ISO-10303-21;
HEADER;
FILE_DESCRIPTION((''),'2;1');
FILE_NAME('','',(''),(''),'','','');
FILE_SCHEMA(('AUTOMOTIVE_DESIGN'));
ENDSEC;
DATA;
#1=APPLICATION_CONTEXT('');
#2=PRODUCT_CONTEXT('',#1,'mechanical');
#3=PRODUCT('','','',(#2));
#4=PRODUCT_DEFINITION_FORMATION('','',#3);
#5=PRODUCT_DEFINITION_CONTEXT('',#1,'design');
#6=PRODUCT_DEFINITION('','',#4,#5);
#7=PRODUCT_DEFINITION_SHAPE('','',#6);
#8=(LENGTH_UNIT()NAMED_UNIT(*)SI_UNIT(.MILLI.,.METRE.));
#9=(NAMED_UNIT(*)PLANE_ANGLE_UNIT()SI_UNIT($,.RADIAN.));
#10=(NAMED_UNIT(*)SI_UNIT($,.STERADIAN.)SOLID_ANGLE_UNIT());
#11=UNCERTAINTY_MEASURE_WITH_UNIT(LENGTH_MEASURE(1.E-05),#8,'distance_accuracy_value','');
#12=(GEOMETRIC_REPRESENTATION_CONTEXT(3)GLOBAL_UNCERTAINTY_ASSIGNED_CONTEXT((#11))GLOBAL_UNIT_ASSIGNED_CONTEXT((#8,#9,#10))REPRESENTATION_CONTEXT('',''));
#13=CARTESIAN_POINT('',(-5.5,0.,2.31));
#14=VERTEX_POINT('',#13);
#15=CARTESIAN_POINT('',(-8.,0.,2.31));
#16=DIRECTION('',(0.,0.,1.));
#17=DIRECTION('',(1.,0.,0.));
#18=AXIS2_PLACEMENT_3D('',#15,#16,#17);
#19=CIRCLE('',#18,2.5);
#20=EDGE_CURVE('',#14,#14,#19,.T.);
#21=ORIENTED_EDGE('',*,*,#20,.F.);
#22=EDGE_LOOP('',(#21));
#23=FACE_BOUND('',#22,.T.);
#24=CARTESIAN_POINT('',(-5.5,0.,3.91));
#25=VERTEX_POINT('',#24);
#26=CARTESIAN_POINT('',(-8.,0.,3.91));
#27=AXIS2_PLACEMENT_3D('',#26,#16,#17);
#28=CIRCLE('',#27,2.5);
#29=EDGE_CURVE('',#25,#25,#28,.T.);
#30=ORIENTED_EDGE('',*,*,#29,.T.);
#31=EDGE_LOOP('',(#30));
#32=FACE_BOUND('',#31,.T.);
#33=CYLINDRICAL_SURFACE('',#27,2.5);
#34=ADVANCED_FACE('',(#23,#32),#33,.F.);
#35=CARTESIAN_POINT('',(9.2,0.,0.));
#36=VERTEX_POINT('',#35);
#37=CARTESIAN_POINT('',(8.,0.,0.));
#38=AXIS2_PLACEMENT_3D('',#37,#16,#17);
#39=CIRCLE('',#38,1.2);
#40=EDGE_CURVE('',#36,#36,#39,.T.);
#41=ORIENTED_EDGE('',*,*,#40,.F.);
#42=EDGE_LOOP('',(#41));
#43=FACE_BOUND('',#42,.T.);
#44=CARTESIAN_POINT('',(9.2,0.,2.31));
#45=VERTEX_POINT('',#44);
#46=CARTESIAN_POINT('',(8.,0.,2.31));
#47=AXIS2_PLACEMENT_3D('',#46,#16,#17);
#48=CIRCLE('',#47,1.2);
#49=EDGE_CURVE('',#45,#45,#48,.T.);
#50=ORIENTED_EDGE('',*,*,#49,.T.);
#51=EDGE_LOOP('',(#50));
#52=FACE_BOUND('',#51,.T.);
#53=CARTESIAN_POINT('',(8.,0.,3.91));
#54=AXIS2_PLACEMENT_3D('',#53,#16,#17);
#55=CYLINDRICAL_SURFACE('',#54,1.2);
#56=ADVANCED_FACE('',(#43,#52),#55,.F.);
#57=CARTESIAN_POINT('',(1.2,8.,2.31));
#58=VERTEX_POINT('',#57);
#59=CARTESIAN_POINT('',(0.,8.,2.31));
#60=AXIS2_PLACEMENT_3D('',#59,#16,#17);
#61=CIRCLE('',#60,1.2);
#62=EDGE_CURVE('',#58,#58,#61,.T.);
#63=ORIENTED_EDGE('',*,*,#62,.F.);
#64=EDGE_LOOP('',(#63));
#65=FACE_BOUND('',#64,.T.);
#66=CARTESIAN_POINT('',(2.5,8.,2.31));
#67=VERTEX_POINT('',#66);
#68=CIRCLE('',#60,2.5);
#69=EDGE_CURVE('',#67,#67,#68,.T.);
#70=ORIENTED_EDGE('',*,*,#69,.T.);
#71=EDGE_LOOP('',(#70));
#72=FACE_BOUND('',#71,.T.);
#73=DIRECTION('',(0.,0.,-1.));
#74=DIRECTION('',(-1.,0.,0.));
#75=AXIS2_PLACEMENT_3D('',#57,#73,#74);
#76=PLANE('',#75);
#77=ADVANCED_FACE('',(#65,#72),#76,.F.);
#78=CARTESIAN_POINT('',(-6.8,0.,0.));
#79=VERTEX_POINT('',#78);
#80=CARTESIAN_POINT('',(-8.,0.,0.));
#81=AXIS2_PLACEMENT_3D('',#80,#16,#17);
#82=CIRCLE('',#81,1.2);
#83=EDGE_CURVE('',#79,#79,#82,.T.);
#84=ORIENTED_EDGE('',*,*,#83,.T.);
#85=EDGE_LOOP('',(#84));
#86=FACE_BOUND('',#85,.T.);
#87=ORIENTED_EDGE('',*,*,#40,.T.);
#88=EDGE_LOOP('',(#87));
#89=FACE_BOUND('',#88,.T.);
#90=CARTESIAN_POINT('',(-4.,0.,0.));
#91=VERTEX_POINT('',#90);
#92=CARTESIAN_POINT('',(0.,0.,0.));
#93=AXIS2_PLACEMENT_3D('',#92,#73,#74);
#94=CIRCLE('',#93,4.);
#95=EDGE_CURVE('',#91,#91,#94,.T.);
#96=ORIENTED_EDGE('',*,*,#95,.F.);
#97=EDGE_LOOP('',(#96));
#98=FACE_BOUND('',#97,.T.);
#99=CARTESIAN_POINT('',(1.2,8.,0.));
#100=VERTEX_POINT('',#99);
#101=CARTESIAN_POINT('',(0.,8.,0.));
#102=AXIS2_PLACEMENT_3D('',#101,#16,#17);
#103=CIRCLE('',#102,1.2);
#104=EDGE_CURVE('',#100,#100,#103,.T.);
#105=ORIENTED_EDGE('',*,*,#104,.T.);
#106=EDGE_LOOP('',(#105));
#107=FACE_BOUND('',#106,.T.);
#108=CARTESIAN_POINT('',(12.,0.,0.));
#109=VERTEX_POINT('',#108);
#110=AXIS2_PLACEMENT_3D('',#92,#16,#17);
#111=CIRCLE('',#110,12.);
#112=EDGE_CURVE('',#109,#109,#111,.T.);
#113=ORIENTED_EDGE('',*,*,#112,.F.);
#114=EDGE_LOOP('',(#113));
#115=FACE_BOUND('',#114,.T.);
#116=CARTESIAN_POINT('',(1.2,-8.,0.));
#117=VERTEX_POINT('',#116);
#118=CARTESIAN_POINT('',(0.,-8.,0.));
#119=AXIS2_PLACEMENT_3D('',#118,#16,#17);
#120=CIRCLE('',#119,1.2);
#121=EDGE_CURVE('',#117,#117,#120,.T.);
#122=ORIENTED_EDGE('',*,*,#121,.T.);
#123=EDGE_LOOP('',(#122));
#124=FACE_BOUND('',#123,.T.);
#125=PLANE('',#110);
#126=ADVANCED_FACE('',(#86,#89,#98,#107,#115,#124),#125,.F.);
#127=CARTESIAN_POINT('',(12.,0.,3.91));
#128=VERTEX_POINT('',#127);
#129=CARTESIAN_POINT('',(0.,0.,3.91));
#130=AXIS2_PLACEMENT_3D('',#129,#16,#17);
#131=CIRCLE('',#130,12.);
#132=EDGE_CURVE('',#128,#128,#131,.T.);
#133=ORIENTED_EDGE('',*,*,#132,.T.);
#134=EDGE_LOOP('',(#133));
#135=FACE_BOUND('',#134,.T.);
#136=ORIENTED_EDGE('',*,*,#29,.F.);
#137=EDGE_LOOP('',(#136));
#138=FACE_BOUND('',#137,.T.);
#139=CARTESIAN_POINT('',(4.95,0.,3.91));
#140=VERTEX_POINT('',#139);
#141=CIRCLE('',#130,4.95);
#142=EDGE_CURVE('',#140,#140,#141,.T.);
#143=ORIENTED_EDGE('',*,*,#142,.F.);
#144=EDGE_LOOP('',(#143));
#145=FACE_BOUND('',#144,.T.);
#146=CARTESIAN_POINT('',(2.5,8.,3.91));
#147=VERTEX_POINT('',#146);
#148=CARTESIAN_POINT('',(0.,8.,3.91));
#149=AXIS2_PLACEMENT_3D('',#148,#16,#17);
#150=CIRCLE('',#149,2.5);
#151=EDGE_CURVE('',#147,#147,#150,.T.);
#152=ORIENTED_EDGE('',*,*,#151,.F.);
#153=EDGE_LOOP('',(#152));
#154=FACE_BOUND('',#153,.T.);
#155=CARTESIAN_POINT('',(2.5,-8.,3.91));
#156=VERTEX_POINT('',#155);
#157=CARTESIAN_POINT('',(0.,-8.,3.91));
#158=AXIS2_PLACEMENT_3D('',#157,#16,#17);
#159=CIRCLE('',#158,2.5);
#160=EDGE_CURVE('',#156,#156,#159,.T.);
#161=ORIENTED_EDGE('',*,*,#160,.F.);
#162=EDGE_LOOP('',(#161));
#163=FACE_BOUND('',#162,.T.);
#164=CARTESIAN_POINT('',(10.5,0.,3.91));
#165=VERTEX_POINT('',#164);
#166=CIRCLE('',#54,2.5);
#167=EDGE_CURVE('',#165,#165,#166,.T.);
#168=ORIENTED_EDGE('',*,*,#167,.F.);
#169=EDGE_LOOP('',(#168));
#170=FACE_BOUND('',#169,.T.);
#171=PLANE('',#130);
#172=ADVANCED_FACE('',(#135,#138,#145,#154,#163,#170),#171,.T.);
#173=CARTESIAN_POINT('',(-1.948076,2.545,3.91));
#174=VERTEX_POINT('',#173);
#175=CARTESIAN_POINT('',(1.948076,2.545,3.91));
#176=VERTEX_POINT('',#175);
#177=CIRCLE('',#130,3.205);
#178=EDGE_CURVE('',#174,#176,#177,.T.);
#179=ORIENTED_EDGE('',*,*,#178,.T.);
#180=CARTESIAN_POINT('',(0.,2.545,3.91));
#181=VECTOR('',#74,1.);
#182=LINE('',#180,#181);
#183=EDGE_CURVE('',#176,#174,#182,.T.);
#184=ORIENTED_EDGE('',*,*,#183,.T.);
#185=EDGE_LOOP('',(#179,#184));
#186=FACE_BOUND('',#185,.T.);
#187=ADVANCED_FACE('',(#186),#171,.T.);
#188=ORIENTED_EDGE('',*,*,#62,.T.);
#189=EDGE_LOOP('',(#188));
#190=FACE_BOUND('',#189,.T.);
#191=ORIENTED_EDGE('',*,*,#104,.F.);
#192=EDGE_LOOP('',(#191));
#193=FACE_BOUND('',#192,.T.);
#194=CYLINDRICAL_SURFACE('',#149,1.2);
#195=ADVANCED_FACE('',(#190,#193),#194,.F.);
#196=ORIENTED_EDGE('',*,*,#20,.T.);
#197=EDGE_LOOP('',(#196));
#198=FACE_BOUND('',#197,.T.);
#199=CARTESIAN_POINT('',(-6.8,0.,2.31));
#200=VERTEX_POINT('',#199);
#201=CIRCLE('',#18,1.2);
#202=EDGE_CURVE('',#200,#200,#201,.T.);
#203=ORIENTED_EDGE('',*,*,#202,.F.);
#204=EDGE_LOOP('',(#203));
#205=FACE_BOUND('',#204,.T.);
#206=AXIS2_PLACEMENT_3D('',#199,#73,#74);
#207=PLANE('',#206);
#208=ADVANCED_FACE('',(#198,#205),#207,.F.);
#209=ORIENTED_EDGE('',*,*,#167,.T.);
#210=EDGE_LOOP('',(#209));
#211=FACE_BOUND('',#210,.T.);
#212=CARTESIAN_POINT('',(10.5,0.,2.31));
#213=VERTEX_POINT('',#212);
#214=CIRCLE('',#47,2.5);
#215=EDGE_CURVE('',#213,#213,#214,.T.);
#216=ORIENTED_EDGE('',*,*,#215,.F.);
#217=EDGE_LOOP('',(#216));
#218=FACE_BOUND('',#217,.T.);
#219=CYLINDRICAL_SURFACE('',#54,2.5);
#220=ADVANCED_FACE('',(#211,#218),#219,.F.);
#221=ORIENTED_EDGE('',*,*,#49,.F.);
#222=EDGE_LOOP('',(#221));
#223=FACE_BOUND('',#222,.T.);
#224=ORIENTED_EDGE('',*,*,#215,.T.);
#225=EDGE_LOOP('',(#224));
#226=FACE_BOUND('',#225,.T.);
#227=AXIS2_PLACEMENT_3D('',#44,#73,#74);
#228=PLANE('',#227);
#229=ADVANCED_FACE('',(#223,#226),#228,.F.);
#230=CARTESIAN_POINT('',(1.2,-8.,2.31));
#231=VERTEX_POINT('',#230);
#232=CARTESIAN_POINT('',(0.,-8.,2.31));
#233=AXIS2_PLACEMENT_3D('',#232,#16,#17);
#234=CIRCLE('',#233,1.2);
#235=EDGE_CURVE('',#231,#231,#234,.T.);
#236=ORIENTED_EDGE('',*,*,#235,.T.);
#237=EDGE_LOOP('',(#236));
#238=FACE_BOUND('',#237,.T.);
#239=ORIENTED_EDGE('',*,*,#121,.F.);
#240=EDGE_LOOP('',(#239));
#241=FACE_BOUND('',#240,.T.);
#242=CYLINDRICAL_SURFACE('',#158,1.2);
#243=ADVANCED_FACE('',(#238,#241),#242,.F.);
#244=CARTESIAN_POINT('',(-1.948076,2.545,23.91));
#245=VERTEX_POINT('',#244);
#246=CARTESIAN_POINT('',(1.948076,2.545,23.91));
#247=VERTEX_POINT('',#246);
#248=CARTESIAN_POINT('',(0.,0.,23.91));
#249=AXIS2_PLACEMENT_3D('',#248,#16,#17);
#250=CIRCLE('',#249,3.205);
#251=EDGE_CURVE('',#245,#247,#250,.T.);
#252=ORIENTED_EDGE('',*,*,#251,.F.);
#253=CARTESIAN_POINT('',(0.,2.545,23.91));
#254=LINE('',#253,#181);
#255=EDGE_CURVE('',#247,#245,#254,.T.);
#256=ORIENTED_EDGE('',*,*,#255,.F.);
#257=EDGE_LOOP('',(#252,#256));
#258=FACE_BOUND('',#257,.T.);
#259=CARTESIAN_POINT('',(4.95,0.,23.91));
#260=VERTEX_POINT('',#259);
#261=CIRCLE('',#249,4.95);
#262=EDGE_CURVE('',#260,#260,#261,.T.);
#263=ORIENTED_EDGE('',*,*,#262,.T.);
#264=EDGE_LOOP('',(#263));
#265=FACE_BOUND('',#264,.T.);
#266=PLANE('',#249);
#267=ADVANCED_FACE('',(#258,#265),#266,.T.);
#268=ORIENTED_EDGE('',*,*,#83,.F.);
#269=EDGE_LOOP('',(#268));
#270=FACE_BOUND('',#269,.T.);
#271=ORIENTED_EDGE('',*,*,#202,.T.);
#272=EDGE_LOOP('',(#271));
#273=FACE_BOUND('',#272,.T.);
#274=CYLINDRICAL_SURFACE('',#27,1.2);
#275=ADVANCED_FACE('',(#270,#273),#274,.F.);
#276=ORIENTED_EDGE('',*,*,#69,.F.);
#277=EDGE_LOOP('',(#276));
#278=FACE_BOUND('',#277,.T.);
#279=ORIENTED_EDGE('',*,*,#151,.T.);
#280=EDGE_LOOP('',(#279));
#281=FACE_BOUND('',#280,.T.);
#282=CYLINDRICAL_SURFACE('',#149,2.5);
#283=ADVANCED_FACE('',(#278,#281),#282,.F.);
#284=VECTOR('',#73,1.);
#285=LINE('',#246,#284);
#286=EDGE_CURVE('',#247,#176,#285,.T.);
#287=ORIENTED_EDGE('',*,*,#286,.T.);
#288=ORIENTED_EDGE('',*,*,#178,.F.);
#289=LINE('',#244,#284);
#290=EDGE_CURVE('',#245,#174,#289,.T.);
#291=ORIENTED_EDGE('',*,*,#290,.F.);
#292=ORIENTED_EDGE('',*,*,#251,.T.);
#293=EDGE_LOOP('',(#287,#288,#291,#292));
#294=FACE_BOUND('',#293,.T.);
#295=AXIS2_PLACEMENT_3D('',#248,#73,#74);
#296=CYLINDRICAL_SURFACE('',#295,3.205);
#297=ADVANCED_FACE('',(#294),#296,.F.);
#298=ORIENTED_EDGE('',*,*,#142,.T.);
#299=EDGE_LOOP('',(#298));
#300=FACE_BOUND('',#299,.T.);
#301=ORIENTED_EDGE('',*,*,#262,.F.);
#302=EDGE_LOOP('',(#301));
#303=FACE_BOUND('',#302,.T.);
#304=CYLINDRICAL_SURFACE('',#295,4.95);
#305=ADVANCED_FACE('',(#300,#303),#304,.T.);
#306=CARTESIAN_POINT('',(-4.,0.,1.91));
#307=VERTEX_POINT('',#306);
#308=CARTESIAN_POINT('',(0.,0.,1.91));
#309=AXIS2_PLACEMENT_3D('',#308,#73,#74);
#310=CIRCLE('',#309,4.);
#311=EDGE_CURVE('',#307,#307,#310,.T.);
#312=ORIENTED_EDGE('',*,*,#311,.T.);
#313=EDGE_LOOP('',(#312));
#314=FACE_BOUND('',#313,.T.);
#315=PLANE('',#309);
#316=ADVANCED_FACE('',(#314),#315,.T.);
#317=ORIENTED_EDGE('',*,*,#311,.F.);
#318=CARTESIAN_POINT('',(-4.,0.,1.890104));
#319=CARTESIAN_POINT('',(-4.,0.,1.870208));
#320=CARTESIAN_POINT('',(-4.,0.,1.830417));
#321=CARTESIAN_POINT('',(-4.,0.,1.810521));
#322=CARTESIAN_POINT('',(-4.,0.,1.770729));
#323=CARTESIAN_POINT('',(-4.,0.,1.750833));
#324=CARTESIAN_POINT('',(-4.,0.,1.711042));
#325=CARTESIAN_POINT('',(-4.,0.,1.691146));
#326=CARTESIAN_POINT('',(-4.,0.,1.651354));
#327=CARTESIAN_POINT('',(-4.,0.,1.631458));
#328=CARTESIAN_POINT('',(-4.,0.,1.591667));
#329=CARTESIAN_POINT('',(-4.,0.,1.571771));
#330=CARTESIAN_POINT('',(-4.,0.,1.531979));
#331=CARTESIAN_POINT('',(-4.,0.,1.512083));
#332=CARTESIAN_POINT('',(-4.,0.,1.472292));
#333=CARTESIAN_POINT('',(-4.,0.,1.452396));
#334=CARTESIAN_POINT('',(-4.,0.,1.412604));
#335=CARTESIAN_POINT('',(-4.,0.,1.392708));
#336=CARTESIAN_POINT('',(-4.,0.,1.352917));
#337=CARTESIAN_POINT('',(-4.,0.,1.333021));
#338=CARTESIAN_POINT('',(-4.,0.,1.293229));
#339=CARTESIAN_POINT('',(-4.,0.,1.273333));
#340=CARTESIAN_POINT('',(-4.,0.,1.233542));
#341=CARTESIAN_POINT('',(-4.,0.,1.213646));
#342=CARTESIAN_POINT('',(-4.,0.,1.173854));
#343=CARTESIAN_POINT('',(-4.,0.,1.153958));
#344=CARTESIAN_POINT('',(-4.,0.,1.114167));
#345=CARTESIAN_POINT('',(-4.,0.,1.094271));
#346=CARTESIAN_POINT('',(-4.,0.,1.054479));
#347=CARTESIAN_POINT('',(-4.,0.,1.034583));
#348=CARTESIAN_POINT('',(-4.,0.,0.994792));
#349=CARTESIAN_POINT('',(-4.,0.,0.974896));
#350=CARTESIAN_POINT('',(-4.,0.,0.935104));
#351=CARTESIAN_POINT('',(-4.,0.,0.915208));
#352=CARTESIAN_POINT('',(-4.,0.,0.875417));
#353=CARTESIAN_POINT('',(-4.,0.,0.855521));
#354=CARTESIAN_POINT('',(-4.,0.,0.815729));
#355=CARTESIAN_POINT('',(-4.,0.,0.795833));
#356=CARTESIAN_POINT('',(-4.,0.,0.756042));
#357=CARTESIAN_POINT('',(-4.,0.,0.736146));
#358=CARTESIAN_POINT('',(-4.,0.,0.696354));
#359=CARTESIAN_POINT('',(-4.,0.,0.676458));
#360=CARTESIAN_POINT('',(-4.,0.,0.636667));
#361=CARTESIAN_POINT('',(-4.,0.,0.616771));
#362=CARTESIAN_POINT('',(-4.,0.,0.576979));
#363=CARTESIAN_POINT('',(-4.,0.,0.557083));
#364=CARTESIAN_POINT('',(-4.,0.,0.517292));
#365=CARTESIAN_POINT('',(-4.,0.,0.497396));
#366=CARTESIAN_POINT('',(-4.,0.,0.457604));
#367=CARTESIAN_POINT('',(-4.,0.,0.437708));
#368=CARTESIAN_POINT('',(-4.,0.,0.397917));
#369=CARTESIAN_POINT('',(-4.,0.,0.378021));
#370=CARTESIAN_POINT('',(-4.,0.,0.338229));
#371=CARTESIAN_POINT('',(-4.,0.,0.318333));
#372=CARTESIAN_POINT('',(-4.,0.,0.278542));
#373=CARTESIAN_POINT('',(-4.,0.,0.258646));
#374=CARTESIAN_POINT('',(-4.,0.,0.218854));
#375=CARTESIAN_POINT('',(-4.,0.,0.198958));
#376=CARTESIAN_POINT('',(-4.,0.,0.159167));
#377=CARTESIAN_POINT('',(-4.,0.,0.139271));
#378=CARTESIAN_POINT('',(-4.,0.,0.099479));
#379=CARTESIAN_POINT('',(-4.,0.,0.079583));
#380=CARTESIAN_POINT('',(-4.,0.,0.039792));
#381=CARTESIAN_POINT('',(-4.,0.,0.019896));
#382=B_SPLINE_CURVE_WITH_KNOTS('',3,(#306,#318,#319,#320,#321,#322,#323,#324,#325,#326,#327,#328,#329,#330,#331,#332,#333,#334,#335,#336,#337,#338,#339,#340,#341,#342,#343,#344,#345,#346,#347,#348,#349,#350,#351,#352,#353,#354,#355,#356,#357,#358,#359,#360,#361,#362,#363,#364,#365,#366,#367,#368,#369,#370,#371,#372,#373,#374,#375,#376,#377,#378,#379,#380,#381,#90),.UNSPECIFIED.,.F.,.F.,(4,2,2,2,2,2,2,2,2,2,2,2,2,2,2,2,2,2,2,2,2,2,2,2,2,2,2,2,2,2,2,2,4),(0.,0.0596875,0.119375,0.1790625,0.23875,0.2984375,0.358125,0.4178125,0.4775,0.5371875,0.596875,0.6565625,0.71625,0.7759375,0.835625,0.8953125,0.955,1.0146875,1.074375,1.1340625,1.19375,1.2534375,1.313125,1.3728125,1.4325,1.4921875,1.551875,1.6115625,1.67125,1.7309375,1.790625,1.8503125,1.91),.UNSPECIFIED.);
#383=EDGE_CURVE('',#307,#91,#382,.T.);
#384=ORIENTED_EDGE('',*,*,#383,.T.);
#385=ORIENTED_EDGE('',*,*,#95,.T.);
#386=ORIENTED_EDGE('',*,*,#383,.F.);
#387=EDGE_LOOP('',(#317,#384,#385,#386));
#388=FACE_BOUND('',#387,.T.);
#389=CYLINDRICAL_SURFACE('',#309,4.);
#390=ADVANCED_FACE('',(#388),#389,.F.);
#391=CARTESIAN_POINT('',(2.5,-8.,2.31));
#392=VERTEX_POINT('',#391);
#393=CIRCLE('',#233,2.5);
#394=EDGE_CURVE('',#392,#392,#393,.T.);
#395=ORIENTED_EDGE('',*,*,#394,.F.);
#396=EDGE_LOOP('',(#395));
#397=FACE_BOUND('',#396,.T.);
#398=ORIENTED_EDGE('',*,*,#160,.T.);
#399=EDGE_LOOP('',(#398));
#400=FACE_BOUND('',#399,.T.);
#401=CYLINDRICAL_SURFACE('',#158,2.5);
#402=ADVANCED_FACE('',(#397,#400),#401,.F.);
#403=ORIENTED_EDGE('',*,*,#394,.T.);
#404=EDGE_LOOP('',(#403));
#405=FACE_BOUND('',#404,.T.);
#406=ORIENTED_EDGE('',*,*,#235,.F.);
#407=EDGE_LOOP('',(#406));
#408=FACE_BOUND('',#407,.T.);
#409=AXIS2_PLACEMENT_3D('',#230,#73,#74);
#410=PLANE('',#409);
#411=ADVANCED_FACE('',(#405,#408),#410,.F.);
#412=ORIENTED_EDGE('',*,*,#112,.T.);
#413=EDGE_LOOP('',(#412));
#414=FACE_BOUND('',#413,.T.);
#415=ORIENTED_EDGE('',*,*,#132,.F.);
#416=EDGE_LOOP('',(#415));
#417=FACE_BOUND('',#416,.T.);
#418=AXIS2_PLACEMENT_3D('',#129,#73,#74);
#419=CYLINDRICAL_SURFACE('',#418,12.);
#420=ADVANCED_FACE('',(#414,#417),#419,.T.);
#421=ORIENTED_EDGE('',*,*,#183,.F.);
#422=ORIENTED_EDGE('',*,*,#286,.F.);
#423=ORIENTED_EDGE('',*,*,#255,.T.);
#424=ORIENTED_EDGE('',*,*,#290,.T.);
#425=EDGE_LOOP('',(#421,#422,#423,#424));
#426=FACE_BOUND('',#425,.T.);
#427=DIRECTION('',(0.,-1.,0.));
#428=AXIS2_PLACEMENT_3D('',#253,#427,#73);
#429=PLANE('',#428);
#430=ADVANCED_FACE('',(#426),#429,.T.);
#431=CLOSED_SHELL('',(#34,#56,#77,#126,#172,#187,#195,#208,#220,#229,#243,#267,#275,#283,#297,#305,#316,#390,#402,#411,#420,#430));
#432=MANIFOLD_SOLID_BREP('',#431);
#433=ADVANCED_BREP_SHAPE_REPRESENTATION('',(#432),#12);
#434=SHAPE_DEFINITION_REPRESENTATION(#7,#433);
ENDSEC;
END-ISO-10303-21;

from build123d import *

# Parameters (mm, degrees)
ESQUISSE1_R                                        = 12
BOSS_EXTRU_1_DEPTH                                 = 3.91
ESQUISSE6_R                                        = 4
ENL_V_MAT_EXTRU_2_DEPTH                            = 1.91
ESQUISSE7_R                                        = 4.95
BOSS_EXTRU_2_DEPTH                                 = 20
CHAMBRAGE_POUR_VIS_T_TE_RONDE_BOMB_E_M_D           = 2.4
CHAMBRAGE_POUR_VIS_T_TE_RONDE_BOMB_E_M_CBORE_D     = 5
CHAMBRAGE_POUR_VIS_T_TE_RONDE_BOMB_E_M_CBORE_DEPTH = 1.6
R_P_TITION_CIRCULAIRE2_COUNT                       = 4


with BuildPart() as part:
    # Esquisse1 → Boss.-Extru.1 (new body)
    with BuildSketch(Plane.XY):
        Circle(ESQUISSE1_R)
    extrude(amount=BOSS_EXTRU_1_DEPTH)

    # Esquisse6 → Enlèv. mat.-Extru.2 (cut)
    with BuildSketch(Plane(origin=(0, 0, 0), x_dir=(-1, 0, 0), z_dir=(0, 0, -1))):
        Circle(ESQUISSE6_R)
    extrude(amount=-ENL_V_MAT_EXTRU_2_DEPTH, mode=Mode.SUBTRACT)

    # Esquisse7 → Boss.-Extru.2 (add)
    with BuildSketch(Plane.XY.offset(3.91)):
        Circle(ESQUISSE7_R)
        with BuildLine():
            Line((1.948075974, 2.545), (-1.948075974, 2.545))
            ThreePointArc((-1.948075974, 2.545), (0, -3.205), (1.948075974, 2.545))
        make_face(mode=Mode.SUBTRACT)
    extrude(amount=BOSS_EXTRU_2_DEPTH)

    # Chambrage pour vis à tête ronde bombée M21 (through all)
    with Locations(Plane.XY.offset(3.91)):
        with Locations((0, 8)):
            chambrage_pour_vis_t_te_ronde_bomb_e_m = CounterBoreHole(CHAMBRAGE_POUR_VIS_T_TE_RONDE_BOMB_E_M_D / 2, CHAMBRAGE_POUR_VIS_T_TE_RONDE_BOMB_E_M_CBORE_D / 2, CHAMBRAGE_POUR_VIS_T_TE_RONDE_BOMB_E_M_CBORE_DEPTH)

    # Répétition circulaire2: Chambrage pour vis à tête ronde bombée M21 ×4 about axis
    r_p_tition_circulaire2_axis = Axis((0, 0, 0), (0, 0, 1))
    for i in range(1, R_P_TITION_CIRCULAIRE2_COUNT):
        add(chambrage_pour_vis_t_te_ronde_bomb_e_m.rotate(r_p_tition_circulaire2_axis, i * 360 / R_P_TITION_CIRCULAIRE2_COUNT), mode=Mode.SUBTRACT)


solid = part.part
